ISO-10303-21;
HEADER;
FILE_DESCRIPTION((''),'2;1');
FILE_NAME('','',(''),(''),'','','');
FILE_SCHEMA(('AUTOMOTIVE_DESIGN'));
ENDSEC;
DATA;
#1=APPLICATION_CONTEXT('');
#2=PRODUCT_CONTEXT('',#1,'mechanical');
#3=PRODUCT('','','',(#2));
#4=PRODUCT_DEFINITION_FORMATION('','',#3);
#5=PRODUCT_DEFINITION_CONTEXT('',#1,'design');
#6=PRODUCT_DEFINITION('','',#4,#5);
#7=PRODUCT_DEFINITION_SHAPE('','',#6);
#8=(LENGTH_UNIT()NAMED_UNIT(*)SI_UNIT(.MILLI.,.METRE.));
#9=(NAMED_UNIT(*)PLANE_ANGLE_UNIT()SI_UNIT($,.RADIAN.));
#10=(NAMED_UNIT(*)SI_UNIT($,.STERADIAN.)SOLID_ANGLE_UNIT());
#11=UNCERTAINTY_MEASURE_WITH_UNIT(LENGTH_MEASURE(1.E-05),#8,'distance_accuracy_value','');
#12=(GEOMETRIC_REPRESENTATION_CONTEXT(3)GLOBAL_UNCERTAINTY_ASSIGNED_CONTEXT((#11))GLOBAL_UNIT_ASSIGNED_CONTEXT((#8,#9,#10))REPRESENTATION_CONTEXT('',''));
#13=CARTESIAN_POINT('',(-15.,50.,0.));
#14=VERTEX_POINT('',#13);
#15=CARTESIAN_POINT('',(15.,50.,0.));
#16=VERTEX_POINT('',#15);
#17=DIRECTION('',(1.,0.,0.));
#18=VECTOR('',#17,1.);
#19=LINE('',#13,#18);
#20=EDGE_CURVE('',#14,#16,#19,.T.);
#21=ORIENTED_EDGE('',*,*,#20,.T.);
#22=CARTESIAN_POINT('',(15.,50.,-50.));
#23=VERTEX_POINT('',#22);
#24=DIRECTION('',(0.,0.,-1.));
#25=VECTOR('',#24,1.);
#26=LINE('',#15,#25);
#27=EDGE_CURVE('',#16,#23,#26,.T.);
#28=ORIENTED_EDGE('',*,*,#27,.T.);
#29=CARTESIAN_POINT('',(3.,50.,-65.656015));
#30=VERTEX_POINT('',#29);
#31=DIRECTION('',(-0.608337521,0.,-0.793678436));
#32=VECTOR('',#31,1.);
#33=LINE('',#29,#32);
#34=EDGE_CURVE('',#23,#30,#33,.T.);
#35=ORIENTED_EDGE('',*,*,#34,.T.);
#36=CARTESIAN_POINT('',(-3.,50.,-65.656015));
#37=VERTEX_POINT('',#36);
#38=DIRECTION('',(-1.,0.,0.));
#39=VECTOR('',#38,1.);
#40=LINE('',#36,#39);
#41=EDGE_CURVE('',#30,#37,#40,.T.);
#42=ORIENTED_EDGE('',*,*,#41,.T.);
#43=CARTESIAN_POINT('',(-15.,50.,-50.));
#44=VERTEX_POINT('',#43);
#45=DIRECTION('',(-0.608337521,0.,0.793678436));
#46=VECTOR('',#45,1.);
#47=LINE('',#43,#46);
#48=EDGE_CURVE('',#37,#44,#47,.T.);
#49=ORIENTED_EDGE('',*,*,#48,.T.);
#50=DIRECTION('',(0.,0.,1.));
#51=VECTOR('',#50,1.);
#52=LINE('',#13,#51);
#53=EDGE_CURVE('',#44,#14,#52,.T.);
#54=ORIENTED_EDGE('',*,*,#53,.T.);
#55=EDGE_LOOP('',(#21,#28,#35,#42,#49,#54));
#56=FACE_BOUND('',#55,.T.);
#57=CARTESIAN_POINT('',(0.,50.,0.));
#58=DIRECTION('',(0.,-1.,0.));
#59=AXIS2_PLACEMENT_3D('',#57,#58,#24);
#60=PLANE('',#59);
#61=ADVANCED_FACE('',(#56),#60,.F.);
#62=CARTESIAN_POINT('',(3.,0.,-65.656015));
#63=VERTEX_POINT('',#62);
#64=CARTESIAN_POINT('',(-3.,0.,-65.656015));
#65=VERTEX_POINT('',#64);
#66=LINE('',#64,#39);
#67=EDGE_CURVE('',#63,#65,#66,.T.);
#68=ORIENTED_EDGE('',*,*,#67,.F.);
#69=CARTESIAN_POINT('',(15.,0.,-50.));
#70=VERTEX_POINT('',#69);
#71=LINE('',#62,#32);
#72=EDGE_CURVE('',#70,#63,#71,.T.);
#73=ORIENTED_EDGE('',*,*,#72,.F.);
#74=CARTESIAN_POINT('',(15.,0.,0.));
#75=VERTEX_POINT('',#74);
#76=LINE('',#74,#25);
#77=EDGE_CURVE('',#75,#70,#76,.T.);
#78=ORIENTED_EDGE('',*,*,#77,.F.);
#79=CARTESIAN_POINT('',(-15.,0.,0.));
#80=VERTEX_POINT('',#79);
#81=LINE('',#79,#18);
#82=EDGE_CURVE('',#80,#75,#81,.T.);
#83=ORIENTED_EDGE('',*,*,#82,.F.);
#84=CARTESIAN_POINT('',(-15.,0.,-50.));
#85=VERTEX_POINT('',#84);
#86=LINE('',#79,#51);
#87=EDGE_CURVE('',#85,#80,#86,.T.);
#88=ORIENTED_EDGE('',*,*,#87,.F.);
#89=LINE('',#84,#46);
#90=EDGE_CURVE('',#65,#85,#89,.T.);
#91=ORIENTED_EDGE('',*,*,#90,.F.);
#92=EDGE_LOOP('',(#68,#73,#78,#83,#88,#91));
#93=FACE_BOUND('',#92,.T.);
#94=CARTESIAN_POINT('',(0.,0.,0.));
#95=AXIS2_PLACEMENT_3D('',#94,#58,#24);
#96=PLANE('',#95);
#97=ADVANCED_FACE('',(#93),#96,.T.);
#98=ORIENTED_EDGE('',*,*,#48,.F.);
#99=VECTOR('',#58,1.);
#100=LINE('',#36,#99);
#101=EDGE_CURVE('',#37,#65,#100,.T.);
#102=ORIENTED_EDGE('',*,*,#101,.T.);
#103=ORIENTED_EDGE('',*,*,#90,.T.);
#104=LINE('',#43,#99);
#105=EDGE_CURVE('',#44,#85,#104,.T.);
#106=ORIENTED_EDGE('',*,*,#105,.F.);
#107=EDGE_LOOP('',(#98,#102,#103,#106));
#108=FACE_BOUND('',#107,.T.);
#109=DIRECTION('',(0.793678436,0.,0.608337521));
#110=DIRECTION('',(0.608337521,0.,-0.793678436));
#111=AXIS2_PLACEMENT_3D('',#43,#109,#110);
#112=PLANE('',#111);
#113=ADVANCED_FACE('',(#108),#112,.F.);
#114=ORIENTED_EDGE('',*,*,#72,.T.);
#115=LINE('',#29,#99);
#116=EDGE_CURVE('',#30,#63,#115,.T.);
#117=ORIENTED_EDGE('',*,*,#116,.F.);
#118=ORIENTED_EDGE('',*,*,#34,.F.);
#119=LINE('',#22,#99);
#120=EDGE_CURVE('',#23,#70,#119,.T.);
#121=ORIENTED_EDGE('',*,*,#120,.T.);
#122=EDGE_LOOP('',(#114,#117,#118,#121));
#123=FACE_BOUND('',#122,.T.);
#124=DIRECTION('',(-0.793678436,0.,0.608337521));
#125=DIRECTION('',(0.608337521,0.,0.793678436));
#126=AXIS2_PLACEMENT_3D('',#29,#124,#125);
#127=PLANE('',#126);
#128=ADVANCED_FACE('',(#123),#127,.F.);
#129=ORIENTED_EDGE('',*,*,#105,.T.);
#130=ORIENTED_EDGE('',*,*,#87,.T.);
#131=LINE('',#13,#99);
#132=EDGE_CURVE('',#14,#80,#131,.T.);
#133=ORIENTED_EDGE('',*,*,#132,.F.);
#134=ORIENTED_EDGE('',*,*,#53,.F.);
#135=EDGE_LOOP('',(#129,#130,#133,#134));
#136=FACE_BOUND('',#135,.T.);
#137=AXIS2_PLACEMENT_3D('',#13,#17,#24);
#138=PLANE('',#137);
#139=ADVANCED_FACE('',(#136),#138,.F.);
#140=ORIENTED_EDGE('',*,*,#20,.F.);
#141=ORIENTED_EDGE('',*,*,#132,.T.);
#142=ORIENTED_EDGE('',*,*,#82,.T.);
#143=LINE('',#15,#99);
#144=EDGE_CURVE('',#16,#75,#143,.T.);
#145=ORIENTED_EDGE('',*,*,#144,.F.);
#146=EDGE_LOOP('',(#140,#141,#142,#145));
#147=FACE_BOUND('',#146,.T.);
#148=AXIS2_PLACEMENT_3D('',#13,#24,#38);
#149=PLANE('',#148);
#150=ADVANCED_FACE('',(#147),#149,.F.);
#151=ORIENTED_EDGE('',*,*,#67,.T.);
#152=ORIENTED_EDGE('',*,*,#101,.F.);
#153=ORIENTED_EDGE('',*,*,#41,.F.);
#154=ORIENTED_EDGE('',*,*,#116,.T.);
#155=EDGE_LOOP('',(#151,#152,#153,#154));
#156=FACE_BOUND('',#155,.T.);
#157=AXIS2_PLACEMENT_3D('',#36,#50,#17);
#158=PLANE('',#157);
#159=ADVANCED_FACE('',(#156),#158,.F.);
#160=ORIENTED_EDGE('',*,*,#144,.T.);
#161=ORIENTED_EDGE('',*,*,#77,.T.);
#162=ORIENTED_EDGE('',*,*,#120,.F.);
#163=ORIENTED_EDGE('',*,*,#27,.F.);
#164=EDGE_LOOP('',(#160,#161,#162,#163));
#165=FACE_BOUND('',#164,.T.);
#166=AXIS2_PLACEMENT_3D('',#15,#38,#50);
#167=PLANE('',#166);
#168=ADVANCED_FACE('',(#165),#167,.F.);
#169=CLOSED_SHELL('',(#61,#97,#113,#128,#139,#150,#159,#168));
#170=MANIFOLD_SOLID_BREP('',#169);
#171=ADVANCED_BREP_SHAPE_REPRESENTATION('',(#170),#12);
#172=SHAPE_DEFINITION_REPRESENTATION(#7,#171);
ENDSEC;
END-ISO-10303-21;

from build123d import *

# Parameters (mm, degrees)
EXTRUDE_1_DEPTH = 50


with BuildPart() as part:
    # Эскиз1 → Бобышка-Вытянуть1 (new body)
    with BuildSketch(Plane(origin=(0, 0, 0), x_dir=(1, 0, 0), z_dir=(0, 1, 0))):
        Polygon((-15, 50), (-3, 65.6560148), (3, 65.6560148), (15, 50), (15, 0), (-15, 0), align=None)
    extrude(amount=EXTRUDE_1_DEPTH)


solid = part.part
